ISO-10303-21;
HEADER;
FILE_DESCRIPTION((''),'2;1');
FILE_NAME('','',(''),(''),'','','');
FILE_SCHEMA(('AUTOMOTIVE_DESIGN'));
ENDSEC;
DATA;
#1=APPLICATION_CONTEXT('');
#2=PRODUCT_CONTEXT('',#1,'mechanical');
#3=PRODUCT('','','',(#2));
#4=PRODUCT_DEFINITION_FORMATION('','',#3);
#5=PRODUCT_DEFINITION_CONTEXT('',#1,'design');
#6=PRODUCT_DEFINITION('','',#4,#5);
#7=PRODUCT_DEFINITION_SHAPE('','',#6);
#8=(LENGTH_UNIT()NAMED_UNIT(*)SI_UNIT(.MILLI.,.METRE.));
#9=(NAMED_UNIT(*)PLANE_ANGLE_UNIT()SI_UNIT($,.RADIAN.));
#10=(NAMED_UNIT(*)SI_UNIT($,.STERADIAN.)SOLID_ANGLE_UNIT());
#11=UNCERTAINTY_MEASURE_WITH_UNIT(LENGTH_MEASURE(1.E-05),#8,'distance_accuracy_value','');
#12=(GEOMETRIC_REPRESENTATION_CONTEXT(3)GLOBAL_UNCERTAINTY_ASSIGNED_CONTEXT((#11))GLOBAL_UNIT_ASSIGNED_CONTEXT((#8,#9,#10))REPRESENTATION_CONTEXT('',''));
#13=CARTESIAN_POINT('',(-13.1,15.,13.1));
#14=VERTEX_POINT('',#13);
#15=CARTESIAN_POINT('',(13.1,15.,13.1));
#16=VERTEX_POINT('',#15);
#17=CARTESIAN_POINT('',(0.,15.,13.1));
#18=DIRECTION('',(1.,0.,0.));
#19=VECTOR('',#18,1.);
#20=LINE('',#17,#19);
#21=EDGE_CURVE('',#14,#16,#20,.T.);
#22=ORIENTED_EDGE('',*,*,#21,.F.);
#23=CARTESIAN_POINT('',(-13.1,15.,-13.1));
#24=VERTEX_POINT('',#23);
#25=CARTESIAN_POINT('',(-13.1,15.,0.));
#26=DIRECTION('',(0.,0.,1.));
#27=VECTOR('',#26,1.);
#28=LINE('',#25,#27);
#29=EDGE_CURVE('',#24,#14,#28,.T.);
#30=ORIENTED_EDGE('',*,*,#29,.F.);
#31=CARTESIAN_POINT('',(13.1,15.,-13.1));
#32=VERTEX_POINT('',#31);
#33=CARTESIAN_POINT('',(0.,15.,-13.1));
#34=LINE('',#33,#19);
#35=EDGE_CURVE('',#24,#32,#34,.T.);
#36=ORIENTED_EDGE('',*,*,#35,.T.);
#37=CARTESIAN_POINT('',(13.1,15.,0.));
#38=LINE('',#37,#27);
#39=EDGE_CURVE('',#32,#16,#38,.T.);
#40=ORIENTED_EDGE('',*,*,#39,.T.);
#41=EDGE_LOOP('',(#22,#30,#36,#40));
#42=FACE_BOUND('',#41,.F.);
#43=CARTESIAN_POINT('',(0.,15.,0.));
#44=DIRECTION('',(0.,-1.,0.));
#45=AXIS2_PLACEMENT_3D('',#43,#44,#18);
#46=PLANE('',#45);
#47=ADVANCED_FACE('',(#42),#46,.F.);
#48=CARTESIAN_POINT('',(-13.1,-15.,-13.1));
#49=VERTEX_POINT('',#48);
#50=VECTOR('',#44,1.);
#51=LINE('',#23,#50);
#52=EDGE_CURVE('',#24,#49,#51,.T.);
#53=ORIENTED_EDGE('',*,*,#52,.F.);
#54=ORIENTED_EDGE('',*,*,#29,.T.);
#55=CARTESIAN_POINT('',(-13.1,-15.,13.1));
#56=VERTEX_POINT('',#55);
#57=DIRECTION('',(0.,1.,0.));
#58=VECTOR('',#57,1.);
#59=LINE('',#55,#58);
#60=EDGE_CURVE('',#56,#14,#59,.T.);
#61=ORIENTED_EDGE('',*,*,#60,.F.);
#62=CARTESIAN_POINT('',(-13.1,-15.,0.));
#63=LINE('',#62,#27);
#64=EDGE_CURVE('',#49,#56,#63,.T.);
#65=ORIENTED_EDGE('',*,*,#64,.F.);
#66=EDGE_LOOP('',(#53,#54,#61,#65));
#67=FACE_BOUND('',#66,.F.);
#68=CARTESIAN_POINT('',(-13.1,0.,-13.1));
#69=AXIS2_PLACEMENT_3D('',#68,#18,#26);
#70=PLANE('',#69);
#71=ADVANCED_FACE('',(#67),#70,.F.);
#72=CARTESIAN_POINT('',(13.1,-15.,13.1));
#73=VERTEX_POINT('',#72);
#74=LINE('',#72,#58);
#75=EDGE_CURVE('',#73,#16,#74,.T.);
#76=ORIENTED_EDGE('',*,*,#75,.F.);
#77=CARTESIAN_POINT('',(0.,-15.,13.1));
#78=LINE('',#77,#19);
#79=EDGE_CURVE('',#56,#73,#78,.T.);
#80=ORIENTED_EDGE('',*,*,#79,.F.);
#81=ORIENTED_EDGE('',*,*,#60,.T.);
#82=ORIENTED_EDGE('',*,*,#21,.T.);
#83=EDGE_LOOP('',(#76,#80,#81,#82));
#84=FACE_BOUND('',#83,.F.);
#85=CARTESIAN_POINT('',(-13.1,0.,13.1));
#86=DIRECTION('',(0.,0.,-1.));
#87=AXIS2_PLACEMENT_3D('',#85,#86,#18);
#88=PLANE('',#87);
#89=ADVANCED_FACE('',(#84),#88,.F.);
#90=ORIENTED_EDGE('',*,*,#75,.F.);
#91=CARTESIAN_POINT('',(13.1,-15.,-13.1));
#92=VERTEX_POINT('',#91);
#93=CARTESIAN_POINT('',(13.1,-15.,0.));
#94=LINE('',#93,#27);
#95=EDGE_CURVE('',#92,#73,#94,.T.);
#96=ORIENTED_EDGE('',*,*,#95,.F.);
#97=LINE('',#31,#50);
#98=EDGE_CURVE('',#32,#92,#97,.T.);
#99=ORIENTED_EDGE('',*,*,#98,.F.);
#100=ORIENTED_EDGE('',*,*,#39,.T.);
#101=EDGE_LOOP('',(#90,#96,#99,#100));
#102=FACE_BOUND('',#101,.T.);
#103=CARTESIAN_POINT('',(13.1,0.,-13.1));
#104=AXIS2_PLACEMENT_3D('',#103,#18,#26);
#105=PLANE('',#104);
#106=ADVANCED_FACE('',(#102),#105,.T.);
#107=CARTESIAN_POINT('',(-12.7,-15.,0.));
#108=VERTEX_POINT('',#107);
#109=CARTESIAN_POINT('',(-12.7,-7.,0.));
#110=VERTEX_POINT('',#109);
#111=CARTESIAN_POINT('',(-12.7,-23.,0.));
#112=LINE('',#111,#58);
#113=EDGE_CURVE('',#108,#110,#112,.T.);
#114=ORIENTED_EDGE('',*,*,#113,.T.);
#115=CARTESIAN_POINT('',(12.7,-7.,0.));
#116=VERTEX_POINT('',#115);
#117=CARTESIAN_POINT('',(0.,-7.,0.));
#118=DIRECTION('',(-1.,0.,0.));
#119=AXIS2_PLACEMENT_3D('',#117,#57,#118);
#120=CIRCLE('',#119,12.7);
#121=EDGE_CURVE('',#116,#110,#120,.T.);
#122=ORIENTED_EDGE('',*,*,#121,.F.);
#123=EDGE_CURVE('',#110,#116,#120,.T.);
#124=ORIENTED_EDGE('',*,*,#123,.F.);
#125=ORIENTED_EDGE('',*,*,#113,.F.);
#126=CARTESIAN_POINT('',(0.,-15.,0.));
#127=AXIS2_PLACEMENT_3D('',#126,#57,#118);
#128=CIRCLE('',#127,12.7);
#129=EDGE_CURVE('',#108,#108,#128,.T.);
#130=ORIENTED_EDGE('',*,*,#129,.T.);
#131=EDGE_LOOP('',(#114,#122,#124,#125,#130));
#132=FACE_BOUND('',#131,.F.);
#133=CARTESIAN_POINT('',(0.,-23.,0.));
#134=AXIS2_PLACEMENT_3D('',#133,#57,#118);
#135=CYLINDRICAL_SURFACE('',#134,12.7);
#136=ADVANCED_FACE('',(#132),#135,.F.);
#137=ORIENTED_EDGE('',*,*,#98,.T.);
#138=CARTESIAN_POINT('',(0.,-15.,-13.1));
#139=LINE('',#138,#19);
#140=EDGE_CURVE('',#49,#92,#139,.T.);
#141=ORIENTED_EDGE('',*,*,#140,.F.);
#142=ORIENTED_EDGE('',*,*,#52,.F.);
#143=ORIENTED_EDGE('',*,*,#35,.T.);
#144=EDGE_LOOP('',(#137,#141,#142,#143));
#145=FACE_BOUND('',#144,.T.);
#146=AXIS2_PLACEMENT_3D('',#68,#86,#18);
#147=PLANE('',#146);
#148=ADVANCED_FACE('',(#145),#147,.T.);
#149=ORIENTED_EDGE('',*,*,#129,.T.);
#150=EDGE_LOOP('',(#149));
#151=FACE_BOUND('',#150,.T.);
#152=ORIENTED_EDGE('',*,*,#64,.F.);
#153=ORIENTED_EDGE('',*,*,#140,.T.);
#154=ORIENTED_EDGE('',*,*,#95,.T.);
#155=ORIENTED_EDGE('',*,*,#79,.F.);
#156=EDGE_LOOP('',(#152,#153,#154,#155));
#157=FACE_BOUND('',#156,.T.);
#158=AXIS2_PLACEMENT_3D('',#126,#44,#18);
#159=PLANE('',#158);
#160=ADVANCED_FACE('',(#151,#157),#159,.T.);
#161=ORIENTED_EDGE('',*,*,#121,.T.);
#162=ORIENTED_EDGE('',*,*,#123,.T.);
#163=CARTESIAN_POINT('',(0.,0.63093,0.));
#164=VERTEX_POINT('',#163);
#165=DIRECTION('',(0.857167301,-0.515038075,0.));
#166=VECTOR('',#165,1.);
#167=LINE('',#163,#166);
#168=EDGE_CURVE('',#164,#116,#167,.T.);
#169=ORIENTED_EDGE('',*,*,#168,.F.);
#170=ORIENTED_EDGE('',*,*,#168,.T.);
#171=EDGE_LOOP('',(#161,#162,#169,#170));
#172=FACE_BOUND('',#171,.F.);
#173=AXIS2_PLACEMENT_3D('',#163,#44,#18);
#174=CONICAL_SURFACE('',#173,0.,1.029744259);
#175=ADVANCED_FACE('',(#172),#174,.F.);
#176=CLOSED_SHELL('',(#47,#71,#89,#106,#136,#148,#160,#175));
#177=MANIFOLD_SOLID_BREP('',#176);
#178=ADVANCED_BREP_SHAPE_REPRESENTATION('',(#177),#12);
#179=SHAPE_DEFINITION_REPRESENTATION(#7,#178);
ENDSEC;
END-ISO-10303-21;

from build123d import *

# Parameters (mm, degrees)
F0_W     = 26.2
F0_H     = 26.2
F1_DEPTH = 15
F3_D     = 25.4
F3_DEPTH = 8
F3_TIP   = 7.6309298617


with BuildPart() as f1:
    # F0 (on Front) → F1 (new body, symmetric)
    with BuildSketch(Plane.XZ):
        Rectangle(F0_W, F0_H)
    extrude(amount=F1_DEPTH, both=True)

    # F3
    with Locations(Plane.XZ.offset(15)):
        with Locations((0, 0)):
            Hole(F3_D / 2, depth=F3_DEPTH)
            with Locations((0, 0, -(F3_DEPTH + F3_TIP / 2))):  # 118° drill point
                Cone(0, F3_D / 2, F3_TIP, mode=Mode.SUBTRACT)


solid = f1.part
